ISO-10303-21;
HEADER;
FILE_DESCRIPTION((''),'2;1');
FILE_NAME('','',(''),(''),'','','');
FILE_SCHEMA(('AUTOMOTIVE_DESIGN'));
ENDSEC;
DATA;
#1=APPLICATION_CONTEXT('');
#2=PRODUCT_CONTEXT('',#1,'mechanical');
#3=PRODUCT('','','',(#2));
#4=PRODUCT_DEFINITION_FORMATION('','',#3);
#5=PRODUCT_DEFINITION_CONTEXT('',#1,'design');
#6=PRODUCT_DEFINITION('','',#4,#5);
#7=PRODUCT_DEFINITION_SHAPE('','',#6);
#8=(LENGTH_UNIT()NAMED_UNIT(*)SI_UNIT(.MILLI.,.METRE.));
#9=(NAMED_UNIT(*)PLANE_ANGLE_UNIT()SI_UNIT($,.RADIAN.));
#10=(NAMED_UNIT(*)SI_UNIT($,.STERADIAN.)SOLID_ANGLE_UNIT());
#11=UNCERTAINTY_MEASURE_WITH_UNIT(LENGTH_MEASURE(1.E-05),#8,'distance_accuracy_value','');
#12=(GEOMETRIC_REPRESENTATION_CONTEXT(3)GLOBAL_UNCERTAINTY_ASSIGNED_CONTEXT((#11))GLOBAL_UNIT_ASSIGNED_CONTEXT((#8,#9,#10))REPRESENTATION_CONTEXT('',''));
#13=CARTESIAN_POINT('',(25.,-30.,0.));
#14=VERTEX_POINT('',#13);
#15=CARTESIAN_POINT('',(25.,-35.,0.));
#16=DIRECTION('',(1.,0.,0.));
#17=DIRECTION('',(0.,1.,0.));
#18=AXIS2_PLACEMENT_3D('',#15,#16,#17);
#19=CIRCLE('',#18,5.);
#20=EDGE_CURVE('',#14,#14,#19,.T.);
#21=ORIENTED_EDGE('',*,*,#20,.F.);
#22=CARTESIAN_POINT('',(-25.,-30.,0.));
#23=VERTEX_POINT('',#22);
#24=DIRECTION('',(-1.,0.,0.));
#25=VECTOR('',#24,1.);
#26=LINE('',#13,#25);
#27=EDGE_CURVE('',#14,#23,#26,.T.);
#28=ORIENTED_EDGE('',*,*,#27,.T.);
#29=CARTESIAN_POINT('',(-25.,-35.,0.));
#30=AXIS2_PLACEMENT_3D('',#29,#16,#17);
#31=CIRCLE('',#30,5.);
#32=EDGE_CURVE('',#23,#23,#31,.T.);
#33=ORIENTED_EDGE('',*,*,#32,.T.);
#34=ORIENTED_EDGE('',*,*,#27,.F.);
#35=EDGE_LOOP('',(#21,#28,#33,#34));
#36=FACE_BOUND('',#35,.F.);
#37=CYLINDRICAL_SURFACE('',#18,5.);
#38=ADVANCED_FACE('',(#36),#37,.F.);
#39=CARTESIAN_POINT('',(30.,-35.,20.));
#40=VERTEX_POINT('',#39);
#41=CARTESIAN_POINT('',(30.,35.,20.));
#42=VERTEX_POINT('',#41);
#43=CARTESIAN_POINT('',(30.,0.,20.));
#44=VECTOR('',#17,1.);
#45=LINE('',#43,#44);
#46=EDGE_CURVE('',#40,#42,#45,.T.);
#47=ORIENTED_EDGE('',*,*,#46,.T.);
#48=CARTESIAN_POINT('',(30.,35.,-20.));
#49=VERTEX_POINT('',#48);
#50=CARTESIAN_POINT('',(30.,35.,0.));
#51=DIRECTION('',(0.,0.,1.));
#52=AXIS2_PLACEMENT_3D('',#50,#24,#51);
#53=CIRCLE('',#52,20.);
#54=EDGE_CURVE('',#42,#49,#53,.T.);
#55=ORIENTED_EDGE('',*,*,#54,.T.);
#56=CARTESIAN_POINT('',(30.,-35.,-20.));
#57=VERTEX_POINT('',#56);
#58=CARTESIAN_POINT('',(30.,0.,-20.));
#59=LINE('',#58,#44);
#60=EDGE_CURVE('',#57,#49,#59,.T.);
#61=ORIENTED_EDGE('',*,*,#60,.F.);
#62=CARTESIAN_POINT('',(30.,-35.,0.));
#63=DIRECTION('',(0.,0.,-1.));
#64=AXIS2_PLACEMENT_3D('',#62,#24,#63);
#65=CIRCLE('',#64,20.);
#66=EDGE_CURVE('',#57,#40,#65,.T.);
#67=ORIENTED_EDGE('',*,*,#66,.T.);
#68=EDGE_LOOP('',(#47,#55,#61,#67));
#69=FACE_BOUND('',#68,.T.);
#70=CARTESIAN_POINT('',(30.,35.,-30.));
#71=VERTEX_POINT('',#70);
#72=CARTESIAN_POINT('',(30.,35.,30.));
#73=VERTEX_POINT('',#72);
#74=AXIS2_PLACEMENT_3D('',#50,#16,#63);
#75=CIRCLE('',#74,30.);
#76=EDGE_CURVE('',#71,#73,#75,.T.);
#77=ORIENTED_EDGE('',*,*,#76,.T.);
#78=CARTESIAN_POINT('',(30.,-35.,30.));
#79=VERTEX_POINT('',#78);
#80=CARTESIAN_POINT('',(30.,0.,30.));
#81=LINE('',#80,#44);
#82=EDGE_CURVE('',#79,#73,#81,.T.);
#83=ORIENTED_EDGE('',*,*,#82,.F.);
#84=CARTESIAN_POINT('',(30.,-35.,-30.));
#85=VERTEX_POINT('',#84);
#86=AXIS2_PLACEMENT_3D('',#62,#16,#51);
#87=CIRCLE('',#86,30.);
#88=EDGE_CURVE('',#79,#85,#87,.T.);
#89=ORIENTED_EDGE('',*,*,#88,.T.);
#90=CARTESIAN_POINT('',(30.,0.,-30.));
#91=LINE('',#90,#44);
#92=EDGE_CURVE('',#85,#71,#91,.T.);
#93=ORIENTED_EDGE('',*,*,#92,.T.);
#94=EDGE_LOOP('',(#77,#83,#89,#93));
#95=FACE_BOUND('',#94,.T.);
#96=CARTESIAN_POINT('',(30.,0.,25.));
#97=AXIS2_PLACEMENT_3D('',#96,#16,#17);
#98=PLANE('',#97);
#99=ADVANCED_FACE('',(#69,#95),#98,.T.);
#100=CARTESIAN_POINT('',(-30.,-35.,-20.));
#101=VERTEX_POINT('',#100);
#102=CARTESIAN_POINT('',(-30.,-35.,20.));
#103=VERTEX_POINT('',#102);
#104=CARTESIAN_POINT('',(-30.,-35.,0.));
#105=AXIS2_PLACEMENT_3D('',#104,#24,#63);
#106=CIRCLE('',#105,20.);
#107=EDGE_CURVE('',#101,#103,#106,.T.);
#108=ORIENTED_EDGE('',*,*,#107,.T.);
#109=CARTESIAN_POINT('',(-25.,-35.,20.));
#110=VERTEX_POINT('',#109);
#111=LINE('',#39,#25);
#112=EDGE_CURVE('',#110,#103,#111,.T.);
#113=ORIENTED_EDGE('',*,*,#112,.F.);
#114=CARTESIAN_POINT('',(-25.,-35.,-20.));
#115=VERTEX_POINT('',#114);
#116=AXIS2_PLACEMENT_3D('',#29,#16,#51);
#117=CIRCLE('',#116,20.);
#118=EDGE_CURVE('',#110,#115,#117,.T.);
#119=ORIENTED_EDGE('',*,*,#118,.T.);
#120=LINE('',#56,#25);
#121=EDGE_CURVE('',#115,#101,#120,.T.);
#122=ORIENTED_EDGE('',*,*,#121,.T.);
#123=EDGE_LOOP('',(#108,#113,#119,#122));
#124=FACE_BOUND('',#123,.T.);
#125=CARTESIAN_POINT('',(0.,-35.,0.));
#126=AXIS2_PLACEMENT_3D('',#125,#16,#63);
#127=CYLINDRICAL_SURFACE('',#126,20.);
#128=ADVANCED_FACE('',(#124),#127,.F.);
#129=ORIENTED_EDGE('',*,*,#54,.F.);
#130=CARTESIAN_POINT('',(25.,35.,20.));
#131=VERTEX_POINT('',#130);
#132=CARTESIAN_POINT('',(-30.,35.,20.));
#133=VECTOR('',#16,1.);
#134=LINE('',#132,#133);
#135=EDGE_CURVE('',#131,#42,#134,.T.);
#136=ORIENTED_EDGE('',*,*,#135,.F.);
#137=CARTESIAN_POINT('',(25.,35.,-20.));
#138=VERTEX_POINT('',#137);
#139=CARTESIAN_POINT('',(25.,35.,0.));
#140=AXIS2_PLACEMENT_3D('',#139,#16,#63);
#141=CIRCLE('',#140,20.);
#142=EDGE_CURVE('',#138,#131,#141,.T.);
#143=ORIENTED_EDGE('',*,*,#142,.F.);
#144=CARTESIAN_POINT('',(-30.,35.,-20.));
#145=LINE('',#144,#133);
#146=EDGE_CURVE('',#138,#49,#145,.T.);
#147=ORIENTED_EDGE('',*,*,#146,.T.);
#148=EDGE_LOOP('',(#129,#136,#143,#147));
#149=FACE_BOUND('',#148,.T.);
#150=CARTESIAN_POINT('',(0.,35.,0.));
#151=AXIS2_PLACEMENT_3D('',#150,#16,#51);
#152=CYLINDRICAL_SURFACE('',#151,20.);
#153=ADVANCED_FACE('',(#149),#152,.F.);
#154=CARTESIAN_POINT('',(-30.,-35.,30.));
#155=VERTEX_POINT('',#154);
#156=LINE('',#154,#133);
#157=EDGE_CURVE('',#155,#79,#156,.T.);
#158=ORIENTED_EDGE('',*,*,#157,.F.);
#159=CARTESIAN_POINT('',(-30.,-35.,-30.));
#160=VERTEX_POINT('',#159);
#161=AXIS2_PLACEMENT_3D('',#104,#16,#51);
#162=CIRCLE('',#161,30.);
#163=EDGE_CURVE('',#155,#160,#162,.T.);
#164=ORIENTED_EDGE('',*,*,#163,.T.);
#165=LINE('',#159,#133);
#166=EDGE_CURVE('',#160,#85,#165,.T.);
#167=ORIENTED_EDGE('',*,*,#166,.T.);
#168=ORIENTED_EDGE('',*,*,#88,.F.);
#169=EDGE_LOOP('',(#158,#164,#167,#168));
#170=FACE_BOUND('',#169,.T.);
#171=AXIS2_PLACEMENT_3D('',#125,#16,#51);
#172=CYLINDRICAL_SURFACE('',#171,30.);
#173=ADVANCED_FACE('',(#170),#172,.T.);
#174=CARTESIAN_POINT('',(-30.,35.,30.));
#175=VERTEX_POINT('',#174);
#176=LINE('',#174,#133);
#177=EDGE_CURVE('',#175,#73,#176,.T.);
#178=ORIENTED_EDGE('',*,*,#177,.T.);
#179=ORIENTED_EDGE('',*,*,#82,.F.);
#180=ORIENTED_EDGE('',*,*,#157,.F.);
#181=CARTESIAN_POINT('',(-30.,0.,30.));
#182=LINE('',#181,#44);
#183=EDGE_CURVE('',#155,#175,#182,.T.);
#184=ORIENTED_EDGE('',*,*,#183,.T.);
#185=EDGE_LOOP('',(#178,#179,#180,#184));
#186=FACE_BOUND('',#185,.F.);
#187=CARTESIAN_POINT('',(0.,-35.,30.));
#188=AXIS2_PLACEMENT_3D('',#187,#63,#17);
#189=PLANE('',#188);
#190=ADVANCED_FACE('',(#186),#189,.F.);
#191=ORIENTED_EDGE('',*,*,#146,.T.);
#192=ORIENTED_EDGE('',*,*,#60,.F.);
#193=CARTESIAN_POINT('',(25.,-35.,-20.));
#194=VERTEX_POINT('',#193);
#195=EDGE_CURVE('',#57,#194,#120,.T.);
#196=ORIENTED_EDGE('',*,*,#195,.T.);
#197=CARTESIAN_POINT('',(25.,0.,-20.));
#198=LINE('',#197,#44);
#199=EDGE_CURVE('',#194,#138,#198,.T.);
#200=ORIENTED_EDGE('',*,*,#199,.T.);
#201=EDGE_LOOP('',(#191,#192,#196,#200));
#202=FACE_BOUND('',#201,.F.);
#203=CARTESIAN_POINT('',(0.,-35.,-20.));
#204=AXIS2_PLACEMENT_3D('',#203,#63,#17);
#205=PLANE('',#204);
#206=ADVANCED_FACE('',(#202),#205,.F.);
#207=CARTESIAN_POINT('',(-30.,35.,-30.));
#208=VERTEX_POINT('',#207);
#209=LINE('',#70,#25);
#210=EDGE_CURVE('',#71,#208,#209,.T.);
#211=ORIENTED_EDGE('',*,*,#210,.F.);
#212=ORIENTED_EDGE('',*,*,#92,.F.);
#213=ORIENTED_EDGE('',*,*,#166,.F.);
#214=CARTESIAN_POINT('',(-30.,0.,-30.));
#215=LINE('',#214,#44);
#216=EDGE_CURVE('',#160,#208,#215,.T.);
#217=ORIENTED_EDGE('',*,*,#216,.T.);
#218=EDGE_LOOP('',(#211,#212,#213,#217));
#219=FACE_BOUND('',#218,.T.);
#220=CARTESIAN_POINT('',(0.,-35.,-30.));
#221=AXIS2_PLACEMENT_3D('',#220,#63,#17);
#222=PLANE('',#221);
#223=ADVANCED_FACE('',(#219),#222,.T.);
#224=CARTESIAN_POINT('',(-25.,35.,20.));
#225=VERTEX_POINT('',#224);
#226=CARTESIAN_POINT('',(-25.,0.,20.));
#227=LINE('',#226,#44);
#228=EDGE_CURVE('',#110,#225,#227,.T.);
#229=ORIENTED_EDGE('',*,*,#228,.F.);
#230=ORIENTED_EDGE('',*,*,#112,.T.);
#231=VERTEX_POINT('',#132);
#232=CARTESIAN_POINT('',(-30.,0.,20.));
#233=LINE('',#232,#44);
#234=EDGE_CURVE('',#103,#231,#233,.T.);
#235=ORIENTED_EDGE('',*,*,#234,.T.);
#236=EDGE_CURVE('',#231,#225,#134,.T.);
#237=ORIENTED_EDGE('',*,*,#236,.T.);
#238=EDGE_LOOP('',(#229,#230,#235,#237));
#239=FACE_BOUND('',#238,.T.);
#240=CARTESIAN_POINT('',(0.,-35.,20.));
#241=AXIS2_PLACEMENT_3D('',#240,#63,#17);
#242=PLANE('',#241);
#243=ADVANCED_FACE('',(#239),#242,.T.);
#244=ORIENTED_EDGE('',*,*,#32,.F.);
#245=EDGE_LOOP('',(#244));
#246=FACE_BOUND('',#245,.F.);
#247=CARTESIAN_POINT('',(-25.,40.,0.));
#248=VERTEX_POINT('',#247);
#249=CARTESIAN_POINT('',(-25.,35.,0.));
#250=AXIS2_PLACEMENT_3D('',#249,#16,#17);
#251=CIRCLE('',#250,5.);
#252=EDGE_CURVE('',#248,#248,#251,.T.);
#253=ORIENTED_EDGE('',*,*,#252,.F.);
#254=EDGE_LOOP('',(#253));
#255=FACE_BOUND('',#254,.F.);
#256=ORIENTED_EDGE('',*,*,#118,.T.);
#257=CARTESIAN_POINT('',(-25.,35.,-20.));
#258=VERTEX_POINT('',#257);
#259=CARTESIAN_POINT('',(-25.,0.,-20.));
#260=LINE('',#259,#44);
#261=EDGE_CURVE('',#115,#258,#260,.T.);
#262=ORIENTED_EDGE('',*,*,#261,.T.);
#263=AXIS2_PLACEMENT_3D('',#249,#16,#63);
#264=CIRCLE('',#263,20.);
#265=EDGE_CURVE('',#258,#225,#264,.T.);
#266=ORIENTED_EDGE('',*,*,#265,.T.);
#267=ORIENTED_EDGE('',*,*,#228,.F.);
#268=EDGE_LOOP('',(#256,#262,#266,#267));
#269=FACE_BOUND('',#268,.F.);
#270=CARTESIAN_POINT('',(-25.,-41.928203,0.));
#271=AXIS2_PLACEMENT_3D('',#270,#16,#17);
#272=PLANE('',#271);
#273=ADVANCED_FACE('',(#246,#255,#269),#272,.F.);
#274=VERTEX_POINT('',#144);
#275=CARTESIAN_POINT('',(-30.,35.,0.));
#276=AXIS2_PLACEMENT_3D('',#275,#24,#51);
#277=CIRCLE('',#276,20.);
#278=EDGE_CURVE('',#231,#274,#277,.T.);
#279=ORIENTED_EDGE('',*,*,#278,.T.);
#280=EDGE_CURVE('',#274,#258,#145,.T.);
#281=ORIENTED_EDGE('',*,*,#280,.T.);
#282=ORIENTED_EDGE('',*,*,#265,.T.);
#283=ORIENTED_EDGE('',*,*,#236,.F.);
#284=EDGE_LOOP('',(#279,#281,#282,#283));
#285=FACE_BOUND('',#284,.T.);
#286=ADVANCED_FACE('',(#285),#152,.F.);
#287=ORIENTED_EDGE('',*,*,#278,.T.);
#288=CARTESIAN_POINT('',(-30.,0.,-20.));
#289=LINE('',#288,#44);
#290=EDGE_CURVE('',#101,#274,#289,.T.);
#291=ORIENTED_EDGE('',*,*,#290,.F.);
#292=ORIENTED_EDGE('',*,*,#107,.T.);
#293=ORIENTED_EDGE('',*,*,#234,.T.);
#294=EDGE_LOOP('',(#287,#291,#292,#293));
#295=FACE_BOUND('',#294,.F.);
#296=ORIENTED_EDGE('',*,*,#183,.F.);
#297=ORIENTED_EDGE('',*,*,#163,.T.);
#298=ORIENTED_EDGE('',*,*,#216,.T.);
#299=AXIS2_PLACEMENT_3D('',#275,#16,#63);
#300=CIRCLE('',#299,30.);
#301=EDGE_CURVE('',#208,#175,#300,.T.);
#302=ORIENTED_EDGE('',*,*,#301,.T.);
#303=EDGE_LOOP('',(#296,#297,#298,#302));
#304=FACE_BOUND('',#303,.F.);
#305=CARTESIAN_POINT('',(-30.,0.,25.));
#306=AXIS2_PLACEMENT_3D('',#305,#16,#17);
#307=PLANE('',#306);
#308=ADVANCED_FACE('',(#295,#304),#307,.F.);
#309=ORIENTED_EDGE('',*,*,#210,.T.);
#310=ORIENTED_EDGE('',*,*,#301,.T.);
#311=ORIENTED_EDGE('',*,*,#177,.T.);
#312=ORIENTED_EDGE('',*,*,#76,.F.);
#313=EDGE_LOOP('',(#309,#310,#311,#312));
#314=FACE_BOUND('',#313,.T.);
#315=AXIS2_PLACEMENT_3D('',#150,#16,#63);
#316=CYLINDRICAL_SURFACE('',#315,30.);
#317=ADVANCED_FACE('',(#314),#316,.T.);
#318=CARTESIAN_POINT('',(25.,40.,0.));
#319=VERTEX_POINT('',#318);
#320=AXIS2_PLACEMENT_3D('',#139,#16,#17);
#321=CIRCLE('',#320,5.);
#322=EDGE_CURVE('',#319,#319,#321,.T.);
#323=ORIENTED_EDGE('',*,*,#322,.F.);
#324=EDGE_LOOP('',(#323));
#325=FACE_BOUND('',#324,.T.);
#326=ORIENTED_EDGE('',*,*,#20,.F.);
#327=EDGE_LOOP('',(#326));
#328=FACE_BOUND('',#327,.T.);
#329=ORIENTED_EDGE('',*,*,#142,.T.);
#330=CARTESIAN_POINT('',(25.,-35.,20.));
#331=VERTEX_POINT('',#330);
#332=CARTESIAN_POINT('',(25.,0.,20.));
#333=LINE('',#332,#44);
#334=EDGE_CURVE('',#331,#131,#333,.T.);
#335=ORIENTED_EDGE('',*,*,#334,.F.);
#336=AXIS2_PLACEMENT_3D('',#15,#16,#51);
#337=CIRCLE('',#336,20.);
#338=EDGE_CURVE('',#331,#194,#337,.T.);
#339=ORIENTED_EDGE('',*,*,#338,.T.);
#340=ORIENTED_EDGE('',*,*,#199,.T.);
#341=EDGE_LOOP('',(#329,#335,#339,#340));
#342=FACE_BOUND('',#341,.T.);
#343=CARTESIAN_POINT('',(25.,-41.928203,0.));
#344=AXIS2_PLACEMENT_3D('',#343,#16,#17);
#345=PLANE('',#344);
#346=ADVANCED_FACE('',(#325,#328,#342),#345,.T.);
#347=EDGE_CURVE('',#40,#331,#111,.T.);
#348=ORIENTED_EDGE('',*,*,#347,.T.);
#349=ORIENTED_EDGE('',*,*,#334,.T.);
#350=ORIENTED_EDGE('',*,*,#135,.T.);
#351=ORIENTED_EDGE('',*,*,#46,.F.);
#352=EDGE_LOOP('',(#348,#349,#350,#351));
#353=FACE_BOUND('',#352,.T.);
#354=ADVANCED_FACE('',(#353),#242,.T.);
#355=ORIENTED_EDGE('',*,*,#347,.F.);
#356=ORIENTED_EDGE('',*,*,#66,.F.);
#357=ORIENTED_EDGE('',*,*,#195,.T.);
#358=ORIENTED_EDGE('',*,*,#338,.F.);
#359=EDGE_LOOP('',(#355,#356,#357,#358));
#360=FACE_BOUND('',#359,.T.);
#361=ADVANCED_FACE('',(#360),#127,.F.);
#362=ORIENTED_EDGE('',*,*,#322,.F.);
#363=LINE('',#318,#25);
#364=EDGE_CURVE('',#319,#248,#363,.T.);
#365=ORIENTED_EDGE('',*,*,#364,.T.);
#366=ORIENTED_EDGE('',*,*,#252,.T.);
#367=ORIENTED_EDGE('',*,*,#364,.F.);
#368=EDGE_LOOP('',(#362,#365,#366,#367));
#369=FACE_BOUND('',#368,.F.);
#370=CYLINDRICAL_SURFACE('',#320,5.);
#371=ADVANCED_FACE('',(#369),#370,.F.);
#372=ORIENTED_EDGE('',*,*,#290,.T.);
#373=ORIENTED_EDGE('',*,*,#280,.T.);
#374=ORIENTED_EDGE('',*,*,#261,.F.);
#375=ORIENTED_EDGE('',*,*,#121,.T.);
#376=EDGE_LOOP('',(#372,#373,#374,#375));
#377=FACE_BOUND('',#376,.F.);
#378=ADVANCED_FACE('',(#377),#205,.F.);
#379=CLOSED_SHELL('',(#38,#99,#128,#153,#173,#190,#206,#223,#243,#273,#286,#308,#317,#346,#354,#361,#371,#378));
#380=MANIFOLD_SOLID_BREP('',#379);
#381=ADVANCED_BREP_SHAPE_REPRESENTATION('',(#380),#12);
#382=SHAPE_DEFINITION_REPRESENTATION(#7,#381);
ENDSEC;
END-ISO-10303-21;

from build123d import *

# Parameters (mm, degrees)
F0_W     = 70
F0_H     = 10
F1_DEPTH = 30
F0_H_2   = 40
F2_DEPTH = 25
F3_R     = 5
F4_DEPTH = 55.001


with BuildPart() as f1:
    # F0 (on Right) → F1 (new body, symmetric)
    with BuildSketch(Plane.YZ):
        with Locations((0, 25)):
            Rectangle(F0_W, F0_H)
        with BuildLine():
            Line((-35, 20), (-35, 30))
            ThreePointArc((-35, 30), (-65, 0), (-35, -30))
            Line((-35, -30), (-35, -20))
            ThreePointArc((-35, -20), (-55, 0), (-35, 20))
        make_face()
        with BuildLine():
            ThreePointArc((35, -30), (65, 0), (35, 30))
            Line((35, 30), (35, 20))
            ThreePointArc((35, 20), (55, 0), (35, -20))
            Line((35, -20), (35, -30))
        make_face()
        with Locations((0, -25)):
            Rectangle(F0_W, F0_H)
    extrude(amount=F1_DEPTH, both=True)

    # F0 (on Right) → F2 (join, symmetric)
    with BuildSketch(Plane.YZ):
        with BuildLine():
            Line((-35, -20), (-35, 20))
            ThreePointArc((-35, 20), (-55, 0), (-35, -20))
        make_face()
        Rectangle(F0_W, F0_H_2)
        with BuildLine():
            ThreePointArc((35, -20), (55, 0), (35, 20))
            Line((35, 20), (35, -20))
        make_face()
    extrude(amount=F2_DEPTH, both=True)

    # F3 (on face) → F4 (cut, through all)
    with BuildSketch(Plane.YZ.offset(25)):
        with Locations((-35, 0)):
            Circle(F3_R)
        with Locations((35, 0)):
            Circle(F3_R)
    extrude(amount=-F4_DEPTH, mode=Mode.SUBTRACT)


solid = f1.part
